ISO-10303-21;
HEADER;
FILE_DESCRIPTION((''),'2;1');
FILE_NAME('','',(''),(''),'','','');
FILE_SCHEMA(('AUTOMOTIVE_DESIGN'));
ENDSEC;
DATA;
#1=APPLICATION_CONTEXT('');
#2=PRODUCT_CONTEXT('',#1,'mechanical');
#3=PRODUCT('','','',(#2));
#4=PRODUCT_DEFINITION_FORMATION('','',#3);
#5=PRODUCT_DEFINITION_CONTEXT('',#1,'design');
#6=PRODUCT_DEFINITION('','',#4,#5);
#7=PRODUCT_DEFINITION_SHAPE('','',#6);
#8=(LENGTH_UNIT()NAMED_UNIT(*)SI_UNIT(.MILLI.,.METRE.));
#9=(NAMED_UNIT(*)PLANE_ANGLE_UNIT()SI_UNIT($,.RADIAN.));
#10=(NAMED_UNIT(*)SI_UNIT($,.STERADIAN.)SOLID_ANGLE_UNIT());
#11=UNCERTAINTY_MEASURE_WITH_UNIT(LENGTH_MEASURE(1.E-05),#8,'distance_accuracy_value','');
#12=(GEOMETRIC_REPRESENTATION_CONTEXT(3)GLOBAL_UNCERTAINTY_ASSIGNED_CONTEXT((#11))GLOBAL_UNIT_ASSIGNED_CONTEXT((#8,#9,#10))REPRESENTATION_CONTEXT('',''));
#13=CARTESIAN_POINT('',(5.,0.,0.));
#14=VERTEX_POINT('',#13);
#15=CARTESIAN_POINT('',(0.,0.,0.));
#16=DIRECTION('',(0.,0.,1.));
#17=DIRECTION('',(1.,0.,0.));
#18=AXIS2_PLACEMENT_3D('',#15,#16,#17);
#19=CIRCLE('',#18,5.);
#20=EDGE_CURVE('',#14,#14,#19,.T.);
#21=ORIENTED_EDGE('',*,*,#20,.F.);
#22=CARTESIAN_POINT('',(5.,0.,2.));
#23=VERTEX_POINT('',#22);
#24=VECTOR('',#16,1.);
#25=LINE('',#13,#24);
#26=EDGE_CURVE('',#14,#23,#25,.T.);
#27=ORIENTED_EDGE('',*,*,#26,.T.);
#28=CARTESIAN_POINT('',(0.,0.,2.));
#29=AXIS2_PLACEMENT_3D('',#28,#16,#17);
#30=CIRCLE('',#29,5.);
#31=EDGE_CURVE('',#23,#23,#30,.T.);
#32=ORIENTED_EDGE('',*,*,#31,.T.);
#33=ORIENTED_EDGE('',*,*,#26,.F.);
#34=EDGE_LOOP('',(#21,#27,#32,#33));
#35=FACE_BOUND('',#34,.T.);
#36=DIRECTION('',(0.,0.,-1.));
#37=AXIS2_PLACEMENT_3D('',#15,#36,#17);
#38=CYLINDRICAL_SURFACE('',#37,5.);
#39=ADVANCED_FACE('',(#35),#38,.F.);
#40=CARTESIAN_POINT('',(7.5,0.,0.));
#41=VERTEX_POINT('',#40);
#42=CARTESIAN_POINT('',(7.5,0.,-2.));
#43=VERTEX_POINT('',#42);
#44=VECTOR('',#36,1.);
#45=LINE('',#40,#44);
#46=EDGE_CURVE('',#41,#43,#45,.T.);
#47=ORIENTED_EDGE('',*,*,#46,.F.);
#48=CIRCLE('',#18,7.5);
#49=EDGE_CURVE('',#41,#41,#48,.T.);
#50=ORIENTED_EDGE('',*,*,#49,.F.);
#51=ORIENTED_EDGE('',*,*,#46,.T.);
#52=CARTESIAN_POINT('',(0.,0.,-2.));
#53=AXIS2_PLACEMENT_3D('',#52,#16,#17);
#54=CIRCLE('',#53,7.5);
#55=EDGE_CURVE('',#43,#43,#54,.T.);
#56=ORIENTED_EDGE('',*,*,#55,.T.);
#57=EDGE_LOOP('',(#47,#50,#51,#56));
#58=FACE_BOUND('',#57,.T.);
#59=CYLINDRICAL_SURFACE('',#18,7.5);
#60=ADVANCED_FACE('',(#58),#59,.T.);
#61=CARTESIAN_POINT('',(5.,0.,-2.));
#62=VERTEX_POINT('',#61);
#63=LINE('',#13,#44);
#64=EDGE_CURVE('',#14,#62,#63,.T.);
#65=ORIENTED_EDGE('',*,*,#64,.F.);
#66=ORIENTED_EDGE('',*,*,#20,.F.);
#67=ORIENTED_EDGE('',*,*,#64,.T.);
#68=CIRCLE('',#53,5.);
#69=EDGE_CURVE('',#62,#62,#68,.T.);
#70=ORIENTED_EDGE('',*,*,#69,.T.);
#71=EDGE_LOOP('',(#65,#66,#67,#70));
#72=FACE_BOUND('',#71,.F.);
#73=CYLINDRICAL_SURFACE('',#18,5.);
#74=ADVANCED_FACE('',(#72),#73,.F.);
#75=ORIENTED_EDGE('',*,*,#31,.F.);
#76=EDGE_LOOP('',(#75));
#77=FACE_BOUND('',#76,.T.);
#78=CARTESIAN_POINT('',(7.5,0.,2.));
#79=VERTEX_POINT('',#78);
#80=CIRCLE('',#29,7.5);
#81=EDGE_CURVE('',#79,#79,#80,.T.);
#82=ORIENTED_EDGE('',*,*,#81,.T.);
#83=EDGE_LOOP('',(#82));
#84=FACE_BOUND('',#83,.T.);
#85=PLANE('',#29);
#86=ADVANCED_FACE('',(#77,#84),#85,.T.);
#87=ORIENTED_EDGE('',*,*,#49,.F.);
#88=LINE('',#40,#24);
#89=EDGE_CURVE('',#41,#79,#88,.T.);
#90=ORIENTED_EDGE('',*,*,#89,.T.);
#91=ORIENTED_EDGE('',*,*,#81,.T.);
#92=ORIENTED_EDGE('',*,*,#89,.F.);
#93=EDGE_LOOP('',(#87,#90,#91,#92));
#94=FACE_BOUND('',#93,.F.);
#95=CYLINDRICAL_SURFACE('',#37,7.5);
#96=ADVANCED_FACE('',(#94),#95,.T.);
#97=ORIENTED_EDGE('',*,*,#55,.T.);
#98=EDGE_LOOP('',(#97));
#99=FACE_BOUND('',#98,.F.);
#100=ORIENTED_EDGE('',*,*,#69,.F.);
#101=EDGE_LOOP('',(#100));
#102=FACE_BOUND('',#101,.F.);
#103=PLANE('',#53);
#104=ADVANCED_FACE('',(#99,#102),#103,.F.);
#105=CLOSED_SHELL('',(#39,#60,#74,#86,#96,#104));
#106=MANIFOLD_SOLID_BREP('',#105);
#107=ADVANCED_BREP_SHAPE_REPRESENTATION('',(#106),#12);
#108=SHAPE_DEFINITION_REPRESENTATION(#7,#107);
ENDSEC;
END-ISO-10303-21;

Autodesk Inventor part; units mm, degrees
ref_plane "YZ Plane" through (0, 0, 0) normal (1, 0, 0) x (0, 1, 0)
ref_plane "XZ Plane" through (0, 0, 0) normal (0, 1, 0) x (-1, 0, 0)
ref_plane "XY Plane" through (0, 0, 0) normal (0, 0, 1) x (1, 0, 0)
sketch "Skizze1" plane through (0, 0, 0) normal (0, 0, 1) x (1, 0, 0)
  circle A0 centre (0, 0) radius 5
  circle A1 centre (0, 0) radius 7.5
  dimension "d0" = 10
  dimension "d1" = 15
extrude "Extrusion1" add sketch "Skizze1" along normal mid plane 4
properties part number "Kugellager_klein"
